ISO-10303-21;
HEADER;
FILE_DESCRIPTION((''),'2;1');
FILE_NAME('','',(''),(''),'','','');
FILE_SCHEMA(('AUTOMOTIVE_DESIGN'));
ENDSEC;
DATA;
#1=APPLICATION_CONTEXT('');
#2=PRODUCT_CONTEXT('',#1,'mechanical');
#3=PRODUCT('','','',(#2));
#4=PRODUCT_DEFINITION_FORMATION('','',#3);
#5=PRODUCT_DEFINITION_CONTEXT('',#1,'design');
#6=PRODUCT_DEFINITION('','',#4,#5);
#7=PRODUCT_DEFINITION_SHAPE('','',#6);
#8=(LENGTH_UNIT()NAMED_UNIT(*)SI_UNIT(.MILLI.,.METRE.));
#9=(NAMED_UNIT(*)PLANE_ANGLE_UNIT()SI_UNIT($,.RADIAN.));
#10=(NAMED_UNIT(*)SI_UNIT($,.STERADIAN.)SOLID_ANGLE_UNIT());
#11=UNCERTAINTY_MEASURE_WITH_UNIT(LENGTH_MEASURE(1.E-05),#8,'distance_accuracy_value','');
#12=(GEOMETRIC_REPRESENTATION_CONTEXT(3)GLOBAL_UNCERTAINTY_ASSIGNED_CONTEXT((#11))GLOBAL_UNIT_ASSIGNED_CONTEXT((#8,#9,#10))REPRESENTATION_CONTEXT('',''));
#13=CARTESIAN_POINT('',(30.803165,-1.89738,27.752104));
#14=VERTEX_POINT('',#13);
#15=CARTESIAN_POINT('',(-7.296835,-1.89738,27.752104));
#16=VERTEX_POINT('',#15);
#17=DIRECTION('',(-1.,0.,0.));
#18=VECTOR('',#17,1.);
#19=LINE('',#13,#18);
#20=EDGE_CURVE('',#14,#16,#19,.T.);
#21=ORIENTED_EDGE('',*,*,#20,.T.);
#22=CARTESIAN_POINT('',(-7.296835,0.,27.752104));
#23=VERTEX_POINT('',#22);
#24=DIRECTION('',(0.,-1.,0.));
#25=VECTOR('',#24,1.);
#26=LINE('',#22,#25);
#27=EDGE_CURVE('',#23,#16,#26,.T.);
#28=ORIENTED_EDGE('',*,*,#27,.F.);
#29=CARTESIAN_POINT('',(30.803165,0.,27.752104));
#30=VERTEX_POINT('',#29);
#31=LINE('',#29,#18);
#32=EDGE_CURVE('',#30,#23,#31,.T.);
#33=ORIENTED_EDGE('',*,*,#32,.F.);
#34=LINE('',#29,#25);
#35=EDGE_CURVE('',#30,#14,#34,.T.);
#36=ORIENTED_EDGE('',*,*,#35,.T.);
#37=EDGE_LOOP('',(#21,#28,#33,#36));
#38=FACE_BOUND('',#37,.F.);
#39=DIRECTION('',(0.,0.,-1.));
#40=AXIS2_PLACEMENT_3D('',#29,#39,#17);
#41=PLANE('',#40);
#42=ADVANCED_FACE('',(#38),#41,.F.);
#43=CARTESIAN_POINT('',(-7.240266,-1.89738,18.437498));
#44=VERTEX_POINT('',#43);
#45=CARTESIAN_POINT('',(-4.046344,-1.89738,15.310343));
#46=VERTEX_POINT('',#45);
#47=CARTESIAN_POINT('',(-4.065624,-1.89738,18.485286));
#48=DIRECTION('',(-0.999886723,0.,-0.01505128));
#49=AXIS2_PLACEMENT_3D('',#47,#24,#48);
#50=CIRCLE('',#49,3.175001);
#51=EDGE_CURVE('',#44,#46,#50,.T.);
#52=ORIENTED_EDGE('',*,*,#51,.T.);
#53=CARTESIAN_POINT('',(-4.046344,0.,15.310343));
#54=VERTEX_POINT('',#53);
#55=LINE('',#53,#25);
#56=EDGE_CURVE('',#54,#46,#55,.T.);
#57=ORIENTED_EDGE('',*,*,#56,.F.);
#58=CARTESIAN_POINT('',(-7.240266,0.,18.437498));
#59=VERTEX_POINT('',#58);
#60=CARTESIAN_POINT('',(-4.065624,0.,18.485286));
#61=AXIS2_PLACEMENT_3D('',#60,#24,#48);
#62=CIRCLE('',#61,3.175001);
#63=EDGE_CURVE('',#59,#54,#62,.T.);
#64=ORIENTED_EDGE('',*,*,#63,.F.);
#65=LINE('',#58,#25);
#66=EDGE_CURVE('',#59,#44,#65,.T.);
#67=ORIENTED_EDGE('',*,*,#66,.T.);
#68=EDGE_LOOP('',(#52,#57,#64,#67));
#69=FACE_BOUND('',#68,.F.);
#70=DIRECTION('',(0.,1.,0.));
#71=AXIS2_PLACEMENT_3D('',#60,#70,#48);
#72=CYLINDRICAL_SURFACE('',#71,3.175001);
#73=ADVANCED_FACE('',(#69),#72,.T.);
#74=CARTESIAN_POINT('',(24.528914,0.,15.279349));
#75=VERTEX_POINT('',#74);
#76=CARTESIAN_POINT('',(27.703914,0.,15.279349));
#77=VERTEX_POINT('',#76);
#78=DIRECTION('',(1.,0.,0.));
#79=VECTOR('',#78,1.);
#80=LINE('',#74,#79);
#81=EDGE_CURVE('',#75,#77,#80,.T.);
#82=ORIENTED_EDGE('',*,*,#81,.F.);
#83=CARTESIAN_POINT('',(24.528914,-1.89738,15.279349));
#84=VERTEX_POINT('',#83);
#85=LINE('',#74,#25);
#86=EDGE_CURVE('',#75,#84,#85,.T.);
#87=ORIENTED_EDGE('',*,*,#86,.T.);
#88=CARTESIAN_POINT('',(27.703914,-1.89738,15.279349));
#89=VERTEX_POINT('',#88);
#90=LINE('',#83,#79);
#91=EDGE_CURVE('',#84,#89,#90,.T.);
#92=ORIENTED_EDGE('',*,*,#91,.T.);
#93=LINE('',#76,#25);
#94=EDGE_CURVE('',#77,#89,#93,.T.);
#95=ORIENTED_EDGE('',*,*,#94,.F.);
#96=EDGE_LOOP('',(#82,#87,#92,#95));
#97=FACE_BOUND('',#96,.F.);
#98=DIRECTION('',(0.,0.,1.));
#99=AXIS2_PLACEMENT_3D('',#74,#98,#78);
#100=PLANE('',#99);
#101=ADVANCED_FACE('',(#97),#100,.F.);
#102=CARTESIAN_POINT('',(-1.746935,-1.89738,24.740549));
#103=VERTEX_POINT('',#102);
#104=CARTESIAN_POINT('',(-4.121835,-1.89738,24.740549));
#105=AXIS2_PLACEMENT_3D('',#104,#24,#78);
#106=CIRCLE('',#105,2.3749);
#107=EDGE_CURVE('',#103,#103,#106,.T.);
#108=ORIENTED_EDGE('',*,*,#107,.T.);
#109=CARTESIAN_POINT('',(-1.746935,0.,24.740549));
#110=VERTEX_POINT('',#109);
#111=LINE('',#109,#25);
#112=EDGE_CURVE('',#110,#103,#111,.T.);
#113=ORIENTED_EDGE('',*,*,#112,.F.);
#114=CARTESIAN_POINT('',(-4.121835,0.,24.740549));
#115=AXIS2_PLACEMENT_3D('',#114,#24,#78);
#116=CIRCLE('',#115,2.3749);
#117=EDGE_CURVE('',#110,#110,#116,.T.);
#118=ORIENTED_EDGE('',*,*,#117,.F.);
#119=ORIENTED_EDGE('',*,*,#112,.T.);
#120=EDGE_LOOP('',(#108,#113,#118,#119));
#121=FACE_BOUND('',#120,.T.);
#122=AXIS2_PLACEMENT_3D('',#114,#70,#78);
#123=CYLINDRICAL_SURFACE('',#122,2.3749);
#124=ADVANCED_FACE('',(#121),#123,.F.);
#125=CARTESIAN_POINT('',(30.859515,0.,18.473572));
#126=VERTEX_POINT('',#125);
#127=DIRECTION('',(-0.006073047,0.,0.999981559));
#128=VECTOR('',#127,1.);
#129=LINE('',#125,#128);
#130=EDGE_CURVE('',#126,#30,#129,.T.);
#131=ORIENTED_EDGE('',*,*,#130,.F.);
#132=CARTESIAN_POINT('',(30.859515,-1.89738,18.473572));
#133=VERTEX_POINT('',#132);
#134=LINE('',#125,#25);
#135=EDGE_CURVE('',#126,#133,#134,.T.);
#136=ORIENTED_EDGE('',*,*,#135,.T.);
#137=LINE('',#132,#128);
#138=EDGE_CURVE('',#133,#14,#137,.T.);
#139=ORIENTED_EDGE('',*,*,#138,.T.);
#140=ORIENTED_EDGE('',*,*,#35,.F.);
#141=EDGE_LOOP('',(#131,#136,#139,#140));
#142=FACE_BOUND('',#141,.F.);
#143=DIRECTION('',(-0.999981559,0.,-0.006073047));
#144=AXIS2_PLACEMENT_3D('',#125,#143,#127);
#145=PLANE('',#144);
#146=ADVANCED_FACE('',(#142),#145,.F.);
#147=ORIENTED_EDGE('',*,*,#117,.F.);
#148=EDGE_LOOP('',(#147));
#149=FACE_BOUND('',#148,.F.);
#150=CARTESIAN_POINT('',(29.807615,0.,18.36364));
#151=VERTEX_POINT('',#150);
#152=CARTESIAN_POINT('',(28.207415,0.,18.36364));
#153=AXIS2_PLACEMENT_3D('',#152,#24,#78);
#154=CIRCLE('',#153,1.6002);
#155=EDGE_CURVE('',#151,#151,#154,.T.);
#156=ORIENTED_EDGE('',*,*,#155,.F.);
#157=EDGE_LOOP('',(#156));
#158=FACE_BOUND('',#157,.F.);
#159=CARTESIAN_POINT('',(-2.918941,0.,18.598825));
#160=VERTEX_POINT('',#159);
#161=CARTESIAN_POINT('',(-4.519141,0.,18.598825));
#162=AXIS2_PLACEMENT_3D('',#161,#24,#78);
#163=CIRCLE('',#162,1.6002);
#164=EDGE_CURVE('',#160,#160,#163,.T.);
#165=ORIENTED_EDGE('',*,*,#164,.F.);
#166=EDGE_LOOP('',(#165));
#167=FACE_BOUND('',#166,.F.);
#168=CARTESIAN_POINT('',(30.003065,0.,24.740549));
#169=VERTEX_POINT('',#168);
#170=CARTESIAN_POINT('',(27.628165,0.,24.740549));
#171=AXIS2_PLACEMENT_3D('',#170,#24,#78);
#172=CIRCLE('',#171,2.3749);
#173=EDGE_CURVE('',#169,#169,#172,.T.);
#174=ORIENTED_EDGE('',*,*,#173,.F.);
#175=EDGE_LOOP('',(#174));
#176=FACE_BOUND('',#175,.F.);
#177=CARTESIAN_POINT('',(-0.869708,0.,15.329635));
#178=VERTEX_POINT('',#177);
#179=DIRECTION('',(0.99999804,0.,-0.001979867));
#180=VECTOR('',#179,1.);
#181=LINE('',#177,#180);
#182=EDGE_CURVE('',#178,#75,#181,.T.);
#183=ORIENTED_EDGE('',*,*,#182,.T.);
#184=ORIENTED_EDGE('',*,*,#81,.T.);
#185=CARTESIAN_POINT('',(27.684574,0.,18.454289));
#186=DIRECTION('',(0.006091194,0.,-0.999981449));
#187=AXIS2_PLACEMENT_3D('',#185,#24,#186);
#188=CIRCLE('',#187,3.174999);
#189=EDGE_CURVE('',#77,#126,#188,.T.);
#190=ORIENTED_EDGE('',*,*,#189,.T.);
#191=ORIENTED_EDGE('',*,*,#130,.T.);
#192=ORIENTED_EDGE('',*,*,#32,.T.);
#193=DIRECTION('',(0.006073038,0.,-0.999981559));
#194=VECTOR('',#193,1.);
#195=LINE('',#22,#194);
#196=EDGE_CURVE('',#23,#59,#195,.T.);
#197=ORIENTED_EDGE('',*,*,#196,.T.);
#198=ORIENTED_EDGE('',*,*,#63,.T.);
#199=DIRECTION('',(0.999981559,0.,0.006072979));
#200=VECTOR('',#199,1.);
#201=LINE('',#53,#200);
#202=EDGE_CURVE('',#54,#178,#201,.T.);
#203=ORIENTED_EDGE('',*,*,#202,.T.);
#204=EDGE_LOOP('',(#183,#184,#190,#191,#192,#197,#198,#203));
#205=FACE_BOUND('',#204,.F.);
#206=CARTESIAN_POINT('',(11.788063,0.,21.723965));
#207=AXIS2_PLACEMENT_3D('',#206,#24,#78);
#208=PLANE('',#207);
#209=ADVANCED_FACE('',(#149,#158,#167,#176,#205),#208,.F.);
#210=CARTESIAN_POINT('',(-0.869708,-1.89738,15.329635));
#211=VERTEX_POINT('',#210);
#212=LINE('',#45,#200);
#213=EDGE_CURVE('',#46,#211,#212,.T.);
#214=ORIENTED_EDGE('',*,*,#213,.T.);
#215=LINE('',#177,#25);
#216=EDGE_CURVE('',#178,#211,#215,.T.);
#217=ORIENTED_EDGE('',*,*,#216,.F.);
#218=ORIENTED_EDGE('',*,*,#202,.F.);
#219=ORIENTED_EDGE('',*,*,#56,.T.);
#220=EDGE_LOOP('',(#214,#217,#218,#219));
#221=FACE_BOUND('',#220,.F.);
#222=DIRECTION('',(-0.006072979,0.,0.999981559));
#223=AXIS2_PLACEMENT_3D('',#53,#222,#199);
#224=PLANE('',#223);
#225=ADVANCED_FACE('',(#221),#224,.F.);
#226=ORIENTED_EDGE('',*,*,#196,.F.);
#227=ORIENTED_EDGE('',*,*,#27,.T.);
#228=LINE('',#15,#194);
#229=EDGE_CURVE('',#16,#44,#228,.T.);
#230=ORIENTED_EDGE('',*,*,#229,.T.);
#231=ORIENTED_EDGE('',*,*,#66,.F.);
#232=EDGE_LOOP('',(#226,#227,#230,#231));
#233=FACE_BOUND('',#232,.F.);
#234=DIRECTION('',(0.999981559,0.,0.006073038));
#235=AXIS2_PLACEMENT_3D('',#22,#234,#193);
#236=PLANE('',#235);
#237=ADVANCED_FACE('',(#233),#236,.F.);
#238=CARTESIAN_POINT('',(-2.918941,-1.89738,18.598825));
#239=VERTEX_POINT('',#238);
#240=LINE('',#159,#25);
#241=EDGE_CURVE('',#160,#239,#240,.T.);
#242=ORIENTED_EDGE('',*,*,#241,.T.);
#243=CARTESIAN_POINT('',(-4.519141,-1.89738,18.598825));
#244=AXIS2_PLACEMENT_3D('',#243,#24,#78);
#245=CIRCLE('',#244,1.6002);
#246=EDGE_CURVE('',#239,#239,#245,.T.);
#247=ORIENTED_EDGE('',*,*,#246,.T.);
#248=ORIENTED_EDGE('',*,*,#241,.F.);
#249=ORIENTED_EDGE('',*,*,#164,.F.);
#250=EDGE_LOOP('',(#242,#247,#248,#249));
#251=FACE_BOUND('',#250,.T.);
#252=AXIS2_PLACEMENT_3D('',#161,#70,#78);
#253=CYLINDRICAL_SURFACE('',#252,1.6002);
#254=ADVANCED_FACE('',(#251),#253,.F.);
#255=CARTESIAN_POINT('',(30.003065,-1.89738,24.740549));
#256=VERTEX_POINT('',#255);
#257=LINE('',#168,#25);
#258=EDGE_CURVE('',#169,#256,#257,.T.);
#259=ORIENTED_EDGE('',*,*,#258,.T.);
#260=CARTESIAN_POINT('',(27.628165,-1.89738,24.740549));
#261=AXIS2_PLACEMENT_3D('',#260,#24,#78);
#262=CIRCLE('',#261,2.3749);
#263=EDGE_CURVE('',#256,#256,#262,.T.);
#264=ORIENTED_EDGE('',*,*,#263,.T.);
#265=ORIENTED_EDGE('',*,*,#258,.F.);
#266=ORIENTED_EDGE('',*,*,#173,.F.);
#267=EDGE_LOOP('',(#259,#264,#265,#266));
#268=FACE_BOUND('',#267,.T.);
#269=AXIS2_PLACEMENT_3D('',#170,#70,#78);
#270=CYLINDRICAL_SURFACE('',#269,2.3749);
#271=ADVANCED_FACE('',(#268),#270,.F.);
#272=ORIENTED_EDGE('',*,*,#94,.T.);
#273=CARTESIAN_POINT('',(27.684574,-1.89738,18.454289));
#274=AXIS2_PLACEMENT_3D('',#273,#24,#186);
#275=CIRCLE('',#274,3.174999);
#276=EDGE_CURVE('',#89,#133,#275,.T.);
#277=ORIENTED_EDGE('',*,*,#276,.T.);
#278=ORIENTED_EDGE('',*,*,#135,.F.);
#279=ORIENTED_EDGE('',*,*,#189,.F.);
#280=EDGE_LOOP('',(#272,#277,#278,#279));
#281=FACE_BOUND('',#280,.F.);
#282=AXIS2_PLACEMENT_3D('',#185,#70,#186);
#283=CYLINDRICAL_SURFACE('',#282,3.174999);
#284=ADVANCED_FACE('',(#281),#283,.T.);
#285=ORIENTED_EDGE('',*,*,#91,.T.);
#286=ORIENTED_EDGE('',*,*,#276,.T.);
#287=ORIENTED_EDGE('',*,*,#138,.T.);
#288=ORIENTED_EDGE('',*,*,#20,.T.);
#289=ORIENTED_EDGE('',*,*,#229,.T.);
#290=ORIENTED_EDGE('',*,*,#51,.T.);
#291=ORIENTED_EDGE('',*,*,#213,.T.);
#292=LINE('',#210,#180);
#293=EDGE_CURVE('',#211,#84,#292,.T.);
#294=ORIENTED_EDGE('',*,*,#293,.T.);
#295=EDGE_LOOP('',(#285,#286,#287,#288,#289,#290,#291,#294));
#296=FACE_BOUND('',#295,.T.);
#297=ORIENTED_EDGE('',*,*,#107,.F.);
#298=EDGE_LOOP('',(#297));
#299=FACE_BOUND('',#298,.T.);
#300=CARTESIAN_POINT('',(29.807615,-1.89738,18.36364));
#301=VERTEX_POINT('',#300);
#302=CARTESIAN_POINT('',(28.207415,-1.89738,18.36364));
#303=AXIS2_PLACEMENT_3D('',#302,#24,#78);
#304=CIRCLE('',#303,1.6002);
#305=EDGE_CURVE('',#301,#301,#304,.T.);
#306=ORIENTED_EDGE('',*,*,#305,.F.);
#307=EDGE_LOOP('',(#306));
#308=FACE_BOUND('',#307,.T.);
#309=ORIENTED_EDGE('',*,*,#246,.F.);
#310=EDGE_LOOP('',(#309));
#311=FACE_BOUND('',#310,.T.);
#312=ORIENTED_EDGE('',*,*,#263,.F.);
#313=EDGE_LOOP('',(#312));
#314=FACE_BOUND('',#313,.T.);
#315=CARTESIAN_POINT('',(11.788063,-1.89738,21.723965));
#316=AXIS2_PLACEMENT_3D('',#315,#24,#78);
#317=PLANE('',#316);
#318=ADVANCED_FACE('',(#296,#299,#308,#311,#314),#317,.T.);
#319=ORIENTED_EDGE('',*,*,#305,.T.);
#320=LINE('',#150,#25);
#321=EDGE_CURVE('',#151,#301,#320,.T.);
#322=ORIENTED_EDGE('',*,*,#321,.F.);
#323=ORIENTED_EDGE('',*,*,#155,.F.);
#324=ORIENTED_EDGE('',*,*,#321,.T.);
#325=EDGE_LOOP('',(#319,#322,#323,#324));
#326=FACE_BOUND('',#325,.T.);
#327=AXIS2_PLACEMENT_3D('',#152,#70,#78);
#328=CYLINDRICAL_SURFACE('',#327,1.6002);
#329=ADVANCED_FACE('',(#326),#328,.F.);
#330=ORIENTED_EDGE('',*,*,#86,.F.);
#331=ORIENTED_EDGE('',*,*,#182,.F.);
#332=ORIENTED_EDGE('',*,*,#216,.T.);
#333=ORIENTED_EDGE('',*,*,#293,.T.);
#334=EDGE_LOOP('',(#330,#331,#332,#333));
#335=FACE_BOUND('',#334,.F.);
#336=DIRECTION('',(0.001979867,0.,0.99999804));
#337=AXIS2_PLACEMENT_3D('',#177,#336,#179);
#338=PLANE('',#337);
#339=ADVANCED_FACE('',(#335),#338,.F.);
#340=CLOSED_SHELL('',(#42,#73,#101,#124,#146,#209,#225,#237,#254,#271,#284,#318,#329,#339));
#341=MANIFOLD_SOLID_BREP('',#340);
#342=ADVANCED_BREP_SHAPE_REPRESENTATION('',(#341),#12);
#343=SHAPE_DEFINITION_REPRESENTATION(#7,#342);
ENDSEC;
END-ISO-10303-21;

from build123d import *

# Parameters (mm, degrees)
F0_R     = 1.6002
F0_R_2   = 2.3749
F1_DEPTH = 1.89738


with BuildPart() as f1:
    # F0 (on Front) → F1 (new body)
    with BuildSketch(Plane.XZ):
        with BuildLine():
            Line((30.803165, 27.752104), (-7.296835, 27.752104))
            Line((-7.296835, 27.752104), (-7.240266, 18.437498))
            ThreePointArc((-7.240266, 18.437498), (-6.286852, 16.216634), (-4.046344, 15.310343))
            Line((-4.046344, 15.310343), (-0.869708, 15.329635))
            Line((-0.869708, 15.329635), (24.528914, 15.279349))
            Line((24.528914, 15.279349), (27.703914, 15.279349))
            ThreePointArc((27.703914, 15.279349), (29.943251, 16.222922), (30.859515, 18.473572))
            Line((30.859515, 18.473572), (30.803165, 27.752104))
        make_face()
        with Locations((-4.519141, 18.598825)):
            Circle(F0_R, mode=Mode.SUBTRACT)
        with Locations((28.207415, 18.36364)):
            Circle(F0_R, mode=Mode.SUBTRACT)
        with Locations((-4.121835, 24.740549)):
            Circle(F0_R_2, mode=Mode.SUBTRACT)
        with Locations((27.628165, 24.740549)):
            Circle(F0_R_2, mode=Mode.SUBTRACT)
    extrude(amount=F1_DEPTH)


solid = f1.part
